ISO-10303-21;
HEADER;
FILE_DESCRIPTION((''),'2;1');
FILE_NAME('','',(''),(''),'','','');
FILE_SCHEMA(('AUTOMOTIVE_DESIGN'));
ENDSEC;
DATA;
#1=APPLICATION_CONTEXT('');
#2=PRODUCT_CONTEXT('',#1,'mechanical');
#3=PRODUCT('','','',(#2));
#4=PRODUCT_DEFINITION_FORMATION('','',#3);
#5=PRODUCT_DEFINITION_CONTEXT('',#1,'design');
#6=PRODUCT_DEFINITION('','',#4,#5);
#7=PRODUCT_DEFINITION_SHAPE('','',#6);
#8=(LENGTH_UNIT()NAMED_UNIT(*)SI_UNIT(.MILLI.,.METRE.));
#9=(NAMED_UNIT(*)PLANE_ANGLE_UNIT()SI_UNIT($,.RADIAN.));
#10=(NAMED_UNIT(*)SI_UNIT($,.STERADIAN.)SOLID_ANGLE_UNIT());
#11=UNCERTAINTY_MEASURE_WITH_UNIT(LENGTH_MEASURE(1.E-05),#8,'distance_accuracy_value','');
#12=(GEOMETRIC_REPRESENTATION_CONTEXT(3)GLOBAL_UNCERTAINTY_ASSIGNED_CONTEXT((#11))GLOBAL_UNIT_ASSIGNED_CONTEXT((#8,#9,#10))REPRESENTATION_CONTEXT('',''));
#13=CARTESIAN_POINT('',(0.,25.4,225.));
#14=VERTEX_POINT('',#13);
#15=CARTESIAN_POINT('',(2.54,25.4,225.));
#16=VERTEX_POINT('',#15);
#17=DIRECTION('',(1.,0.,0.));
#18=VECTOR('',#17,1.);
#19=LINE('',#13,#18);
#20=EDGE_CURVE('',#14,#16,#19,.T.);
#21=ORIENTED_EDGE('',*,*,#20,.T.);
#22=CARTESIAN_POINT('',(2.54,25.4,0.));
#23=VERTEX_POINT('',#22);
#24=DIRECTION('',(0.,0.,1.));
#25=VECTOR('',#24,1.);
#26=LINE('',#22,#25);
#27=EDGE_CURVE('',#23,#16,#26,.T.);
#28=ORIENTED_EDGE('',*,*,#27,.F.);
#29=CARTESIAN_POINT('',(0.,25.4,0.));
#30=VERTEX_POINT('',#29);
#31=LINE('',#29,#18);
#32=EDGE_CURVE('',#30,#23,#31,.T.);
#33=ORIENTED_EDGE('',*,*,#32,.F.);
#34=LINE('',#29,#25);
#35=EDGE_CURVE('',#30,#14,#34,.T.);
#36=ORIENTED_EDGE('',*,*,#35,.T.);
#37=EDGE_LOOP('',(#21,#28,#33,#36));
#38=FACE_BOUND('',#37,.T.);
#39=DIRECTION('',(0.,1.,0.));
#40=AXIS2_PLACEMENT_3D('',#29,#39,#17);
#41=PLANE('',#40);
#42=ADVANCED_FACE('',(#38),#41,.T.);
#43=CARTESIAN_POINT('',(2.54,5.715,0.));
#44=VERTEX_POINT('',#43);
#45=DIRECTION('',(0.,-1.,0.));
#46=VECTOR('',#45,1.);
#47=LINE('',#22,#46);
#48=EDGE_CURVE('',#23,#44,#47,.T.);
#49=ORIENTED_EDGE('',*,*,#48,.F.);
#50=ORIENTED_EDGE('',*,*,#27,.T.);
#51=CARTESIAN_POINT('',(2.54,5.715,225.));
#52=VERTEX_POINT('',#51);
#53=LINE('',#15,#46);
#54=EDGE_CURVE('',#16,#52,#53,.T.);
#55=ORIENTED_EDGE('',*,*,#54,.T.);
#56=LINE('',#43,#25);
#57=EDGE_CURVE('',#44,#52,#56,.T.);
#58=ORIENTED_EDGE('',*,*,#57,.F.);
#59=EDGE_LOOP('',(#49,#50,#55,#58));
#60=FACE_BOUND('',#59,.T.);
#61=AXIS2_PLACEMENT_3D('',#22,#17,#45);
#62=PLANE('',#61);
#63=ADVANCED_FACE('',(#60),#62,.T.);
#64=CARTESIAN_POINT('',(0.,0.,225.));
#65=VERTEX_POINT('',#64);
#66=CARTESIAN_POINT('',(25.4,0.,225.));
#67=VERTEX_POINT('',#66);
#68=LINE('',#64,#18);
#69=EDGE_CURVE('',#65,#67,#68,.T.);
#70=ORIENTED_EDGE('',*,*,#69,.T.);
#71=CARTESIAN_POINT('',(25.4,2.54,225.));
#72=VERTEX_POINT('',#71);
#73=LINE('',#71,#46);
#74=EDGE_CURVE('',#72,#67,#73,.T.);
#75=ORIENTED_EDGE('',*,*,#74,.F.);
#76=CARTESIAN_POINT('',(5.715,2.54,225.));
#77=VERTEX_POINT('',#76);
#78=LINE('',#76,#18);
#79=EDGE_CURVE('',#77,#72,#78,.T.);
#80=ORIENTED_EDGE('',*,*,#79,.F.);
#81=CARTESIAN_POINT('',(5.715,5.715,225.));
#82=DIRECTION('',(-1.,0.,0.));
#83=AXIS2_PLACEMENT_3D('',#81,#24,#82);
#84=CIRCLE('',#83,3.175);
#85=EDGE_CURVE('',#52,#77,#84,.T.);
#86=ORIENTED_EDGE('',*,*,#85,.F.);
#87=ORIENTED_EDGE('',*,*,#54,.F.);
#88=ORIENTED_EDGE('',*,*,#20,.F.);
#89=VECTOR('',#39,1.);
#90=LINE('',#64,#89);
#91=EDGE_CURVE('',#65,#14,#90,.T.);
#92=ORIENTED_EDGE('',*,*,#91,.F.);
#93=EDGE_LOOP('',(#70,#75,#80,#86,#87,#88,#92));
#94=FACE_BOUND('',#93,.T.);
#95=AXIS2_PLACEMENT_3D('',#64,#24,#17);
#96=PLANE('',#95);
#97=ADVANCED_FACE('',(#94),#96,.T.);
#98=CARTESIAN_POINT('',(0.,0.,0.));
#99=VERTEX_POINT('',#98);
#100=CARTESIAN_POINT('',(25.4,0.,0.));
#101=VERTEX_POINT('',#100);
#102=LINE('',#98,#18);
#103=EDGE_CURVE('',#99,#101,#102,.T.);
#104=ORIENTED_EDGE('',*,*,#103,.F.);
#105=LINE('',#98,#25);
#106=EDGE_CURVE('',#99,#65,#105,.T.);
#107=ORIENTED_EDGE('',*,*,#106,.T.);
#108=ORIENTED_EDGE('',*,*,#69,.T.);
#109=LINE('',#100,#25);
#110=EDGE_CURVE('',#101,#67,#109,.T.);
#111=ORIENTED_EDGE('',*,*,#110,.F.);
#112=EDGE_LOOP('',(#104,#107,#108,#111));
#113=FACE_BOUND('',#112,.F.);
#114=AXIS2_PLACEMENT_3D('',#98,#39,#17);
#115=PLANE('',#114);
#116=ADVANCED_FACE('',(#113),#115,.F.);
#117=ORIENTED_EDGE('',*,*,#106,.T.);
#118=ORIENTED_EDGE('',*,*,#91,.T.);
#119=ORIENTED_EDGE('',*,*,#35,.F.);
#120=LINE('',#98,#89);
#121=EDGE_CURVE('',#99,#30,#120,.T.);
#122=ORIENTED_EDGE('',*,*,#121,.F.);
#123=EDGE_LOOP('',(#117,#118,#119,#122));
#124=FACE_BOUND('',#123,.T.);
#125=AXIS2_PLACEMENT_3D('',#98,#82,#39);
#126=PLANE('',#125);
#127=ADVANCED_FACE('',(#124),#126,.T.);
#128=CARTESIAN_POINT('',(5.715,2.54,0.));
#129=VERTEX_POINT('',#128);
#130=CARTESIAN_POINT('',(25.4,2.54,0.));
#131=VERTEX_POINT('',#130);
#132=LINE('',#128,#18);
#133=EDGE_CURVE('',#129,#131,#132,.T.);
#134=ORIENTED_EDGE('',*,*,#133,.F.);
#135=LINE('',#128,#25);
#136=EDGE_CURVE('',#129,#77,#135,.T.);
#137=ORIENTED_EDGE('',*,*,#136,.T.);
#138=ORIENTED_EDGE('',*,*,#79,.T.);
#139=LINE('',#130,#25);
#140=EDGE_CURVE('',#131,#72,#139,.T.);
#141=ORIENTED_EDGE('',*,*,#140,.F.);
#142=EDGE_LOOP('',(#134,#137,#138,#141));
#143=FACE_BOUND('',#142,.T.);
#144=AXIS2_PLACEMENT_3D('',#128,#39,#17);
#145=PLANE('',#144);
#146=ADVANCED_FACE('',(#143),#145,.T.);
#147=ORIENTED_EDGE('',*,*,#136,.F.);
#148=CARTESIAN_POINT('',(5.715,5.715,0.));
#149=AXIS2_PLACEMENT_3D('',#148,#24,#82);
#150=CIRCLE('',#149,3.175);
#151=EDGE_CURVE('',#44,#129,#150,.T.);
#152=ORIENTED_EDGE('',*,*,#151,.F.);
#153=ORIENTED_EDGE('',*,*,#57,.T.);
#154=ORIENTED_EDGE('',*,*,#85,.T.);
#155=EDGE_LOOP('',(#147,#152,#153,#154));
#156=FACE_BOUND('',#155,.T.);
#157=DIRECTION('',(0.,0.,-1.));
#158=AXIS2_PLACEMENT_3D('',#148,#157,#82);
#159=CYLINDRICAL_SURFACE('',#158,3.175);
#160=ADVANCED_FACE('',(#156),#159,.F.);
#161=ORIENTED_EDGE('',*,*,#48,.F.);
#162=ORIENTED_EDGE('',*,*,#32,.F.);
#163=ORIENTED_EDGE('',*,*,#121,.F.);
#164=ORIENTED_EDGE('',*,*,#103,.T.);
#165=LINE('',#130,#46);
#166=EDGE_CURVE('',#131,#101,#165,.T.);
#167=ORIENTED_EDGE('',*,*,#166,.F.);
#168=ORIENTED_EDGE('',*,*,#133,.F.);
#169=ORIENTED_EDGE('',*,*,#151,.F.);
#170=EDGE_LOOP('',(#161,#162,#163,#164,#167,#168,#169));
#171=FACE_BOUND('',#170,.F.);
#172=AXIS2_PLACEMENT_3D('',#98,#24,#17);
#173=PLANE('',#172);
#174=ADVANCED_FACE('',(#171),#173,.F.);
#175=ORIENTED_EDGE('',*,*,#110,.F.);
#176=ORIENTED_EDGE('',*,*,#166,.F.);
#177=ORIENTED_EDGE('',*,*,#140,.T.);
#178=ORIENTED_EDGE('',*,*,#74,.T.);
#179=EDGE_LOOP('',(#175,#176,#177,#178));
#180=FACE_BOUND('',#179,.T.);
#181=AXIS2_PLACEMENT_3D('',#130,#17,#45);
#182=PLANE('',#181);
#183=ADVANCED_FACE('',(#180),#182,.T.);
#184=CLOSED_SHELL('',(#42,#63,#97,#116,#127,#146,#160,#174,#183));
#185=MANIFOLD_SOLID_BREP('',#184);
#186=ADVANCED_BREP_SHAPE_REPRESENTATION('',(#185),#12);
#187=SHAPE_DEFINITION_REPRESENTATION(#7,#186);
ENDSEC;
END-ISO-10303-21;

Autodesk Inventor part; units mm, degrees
ref_plane "YZ Plane" through (0, 0, 0) normal (1, 0, 0) x (0, 1, 0)
ref_plane "XZ Plane" through (0, 0, 0) normal (0, 1, 0) x (-1, 0, 0)
ref_plane "XY Plane" through (0, 0, 0) normal (0, 0, 1) x (1, 0, 0)
sketch "Sketch1" plane through (0, 0, 0) normal (0, 0, 1) x (1, 0, 0)
  line L0 (0, 0) -> (0, 25.4)
  line L1 (0, 0) -> (25.4, 0)
  line L2 (2.54, 25.4) -> (2.54, 5.715)
  line L3 (5.715, 2.54) -> (25.4, 2.54)
  arc A0 (2.54, 5.715) -> (5.715, 2.54) centre (5.715, 5.715) ccw
  line L4 (0, 25.4) -> (2.54, 25.4)
  line L5 (25.4, 2.54) -> (25.4, 0)
  dimension "d0" = 25.4
  dimension "d1" = 25.4
  dimension "d2" = 2.54
  dimension "d3" = 3.175
extrude "Extrusion1" add sketch "Sketch1" along normal blind 225
sketch "Sketch4" plane through (0, 0, 0) normal (-1, 0, 0) x (0, 0, 1)
  line L0 (0, 0) -> (0, 25.4) projected
  line L1 (0, 0) -> (225, 0) projected
  line L2 (0, 25.4) -> (225, 25.4) projected
  line L3 (38.1, 6.985) -> (88.9, 6.985) construction
  line L4 (38.1, 3.81) -> (88.9, 3.81)
  line L5 (88.9, 10.16) -> (38.1, 10.16)
  arc A0 (38.1, 10.16) -> (38.1, 3.81) centre (38.1, 6.985) ccw
  arc A1 (88.9, 3.81) -> (88.9, 10.16) centre (88.9, 6.985) ccw
  line L6 (112.5, 25.4) -> (112.5, 0) construction
  point P0 (63.5, 6.985)
  dimension "d19" = 50.8
  dimension "d20" = 6.35
  dimension "d21" = 3.81
  dimension "d22" = 63.5
extrude "Extrusion4" [suppressed]
sketch "Sketch5" plane through (0, 0, 0) normal (0, -1, 0) x (1, 0, 0)
  line L0 (25.4, 0) -> (0, 0) projected
  line L1 (25.4, 0) -> (25.4, 225) projected
  line L2 (0, 0) -> (0, 225) projected
  line L3 (0, 182.555) -> (25.4, 182.555)
extrude "Extrusion5" [suppressed]
equation "\"d27\" = 0.5 * hubAngleThickness"
equation "\"hubAngleThickness\" = 3"
equation "\"hubAngleWidth1\" = 25.4"
equation "\"hubAngleWidth2\" = 25.4"
properties part number "hubRingJigOuter"
